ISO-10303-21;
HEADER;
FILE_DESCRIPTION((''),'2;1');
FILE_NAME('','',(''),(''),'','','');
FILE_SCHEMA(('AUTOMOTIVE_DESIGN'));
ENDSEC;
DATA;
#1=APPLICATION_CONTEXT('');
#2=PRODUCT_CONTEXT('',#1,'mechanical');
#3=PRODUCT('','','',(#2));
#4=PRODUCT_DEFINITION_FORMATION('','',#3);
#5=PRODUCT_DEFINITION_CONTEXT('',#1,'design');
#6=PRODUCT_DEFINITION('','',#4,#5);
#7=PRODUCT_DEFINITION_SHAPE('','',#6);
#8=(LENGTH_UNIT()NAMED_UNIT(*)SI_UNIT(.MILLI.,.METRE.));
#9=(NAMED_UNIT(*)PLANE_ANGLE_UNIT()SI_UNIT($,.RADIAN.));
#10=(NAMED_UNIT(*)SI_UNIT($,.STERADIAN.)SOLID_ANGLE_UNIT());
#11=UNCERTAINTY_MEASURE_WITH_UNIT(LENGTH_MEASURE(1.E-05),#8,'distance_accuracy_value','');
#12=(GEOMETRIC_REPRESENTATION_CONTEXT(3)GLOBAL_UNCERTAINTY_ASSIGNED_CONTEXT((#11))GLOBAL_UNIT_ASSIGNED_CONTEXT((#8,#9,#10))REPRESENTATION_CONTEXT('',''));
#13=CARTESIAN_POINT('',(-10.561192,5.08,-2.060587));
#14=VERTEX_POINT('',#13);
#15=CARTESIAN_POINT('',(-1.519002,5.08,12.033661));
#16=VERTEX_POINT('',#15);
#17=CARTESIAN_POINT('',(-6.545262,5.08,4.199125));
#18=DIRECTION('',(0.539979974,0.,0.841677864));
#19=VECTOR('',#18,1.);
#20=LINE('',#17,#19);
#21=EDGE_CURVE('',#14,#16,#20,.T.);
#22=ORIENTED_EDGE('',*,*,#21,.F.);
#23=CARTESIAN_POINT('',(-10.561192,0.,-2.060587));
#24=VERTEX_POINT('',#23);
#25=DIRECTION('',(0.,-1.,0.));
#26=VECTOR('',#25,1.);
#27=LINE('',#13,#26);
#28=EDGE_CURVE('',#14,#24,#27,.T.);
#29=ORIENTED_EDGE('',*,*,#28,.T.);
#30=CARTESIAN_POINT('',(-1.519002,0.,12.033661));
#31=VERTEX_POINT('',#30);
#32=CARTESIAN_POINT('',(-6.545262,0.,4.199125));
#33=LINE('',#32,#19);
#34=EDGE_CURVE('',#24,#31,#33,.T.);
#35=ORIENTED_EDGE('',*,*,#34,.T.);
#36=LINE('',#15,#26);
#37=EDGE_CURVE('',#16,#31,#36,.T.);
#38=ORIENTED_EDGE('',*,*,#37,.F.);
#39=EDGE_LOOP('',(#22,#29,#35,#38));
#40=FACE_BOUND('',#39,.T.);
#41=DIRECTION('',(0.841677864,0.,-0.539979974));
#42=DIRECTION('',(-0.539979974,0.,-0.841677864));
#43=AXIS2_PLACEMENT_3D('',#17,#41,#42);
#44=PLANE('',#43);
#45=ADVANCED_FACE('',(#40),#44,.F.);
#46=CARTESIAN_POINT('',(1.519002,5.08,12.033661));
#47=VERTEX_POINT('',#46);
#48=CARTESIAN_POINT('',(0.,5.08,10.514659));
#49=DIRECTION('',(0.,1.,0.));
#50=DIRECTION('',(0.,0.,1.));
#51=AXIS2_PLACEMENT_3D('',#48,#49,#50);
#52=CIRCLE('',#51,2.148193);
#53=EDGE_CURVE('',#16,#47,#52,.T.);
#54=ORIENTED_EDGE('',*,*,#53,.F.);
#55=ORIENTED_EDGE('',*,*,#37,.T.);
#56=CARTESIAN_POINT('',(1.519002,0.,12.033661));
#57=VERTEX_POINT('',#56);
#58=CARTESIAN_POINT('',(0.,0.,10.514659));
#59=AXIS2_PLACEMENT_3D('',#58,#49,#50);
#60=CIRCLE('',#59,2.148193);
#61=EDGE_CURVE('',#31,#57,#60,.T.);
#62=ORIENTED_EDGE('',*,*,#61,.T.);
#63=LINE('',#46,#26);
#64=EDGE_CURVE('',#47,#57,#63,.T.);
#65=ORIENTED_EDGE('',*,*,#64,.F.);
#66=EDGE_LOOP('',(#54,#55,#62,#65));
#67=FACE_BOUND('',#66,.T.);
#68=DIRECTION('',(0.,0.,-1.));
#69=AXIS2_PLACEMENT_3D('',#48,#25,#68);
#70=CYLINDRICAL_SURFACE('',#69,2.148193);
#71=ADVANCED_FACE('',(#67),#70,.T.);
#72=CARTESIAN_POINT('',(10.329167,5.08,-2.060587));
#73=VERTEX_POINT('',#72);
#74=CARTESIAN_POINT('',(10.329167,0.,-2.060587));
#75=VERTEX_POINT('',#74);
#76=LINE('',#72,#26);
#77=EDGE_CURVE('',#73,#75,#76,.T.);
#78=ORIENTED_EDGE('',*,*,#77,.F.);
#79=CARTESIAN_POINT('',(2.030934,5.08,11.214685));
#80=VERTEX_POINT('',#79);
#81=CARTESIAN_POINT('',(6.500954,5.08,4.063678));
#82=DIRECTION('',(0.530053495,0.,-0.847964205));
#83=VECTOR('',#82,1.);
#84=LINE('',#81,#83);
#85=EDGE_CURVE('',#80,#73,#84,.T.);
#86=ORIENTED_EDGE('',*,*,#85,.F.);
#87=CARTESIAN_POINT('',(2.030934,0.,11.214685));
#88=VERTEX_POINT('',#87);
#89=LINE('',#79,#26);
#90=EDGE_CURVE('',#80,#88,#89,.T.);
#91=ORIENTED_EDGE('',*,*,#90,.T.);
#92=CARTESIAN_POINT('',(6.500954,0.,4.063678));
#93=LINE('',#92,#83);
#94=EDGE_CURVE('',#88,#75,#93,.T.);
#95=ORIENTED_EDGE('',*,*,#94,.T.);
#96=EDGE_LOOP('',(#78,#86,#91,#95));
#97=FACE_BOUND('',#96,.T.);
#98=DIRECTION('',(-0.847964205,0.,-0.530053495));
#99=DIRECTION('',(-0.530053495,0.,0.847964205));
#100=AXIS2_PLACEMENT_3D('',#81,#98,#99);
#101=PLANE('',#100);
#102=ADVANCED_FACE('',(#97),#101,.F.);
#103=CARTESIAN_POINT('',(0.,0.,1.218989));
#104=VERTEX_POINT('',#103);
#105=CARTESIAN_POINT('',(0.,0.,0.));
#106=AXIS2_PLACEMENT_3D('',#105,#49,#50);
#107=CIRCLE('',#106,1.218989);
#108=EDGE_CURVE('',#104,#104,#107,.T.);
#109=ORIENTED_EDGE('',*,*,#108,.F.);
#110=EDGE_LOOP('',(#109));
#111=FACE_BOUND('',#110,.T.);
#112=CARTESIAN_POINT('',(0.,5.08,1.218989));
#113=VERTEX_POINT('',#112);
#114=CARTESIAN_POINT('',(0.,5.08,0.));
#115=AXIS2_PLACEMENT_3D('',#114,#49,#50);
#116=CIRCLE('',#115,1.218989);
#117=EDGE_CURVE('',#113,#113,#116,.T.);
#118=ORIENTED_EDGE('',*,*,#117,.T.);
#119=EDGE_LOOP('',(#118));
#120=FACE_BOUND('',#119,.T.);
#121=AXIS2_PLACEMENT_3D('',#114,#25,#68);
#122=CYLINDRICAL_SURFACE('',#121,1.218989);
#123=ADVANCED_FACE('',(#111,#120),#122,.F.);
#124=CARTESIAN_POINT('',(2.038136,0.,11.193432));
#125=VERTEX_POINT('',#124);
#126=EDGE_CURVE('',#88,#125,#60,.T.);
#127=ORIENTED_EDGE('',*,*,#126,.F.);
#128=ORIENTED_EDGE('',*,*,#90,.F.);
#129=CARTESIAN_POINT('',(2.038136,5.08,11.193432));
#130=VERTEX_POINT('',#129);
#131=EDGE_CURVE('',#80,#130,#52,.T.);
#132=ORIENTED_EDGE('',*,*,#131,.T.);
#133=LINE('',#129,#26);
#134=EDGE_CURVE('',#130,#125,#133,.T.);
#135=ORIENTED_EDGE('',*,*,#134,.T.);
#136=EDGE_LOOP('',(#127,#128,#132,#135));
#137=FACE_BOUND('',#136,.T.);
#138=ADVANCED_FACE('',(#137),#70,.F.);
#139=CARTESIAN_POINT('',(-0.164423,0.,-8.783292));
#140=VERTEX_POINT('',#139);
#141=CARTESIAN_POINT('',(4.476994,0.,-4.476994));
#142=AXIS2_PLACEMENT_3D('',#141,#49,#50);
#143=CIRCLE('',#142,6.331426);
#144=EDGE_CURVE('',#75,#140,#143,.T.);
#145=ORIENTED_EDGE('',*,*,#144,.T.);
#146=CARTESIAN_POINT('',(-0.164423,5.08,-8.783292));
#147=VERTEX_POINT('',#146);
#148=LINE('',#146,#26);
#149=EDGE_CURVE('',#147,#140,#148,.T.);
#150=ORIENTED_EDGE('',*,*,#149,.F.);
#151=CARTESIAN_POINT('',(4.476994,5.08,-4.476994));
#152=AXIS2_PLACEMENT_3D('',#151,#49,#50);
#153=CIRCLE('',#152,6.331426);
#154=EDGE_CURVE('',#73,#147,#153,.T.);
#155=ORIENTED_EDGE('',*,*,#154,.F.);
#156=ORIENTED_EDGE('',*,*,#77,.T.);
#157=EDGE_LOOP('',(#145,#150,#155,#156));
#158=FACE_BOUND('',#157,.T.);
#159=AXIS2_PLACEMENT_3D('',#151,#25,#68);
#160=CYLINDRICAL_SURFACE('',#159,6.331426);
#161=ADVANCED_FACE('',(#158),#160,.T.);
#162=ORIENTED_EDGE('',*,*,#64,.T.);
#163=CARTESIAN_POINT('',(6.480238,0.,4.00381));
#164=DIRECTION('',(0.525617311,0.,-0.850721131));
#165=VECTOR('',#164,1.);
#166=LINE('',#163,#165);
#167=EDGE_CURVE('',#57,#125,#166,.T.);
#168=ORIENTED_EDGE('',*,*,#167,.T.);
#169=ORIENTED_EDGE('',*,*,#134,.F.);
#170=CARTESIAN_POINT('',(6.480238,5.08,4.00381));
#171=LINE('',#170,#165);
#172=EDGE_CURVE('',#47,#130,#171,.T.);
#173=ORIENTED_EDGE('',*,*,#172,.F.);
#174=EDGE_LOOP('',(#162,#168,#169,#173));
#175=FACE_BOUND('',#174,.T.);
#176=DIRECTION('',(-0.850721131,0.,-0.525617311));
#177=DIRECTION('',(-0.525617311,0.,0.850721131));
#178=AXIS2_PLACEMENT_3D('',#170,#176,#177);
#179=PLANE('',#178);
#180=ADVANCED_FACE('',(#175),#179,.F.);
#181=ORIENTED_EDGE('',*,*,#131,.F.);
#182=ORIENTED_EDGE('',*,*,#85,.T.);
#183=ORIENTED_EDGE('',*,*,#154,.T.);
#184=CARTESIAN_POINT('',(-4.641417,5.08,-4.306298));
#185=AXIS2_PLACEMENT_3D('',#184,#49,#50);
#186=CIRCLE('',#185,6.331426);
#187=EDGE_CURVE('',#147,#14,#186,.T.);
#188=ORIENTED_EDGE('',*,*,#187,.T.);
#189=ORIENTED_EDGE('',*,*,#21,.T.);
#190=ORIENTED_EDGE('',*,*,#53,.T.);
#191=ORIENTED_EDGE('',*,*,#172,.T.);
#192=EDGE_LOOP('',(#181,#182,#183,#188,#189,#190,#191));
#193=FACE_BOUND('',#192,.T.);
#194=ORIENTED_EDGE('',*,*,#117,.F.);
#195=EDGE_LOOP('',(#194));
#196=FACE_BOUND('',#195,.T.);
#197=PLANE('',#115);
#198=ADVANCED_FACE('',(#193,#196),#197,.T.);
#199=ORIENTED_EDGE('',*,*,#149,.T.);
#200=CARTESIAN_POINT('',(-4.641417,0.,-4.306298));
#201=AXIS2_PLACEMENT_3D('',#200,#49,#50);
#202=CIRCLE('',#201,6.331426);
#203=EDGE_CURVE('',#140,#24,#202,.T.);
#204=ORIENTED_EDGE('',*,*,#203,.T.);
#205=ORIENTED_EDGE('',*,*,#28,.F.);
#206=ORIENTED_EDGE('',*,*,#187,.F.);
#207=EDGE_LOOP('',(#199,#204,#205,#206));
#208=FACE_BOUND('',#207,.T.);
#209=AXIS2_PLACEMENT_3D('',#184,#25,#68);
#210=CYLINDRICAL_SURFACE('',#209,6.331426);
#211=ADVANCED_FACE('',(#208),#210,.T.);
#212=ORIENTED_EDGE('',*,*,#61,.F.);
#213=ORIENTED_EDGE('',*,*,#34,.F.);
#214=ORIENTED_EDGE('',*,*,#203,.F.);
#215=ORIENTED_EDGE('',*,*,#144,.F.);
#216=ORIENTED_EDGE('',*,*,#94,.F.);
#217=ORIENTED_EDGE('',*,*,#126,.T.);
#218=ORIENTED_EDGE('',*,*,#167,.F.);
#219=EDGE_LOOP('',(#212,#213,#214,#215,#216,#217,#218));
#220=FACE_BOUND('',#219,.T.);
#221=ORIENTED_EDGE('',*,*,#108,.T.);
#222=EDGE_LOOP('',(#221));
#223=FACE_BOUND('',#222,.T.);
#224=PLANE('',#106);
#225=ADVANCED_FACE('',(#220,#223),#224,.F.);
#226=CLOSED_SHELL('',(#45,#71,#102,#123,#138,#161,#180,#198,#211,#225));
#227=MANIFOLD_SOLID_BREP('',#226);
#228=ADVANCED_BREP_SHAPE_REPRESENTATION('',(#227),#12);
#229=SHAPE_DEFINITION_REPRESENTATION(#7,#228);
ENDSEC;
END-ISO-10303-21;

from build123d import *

# Parameters (mm, degrees)
SKETCH1_R           = 1.218989221
BOSS_EXTRUDE6_DEPTH = 5.08


with BuildPart() as part:
    # Sketch1 → Boss-Extrude6 (new body)
    with BuildSketch(Plane(origin=(0, 0, 0), x_dir=(1, 0, 0), z_dir=(0, 1, 0))):
        with BuildLine():
            ThreePointArc((-1.519001557, -12.033660962), (0, -12.662852008), (1.519001557, -12.033660962))
            Line((1.519001557, -12.033660962), (2.038136122, -11.193432272))
            ThreePointArc((2.038136122, -11.193432272), (2.034563062, -11.204068286), (2.030934498, -11.214685493))
            Line((2.030934498, -11.214685493), (10.329167319, 2.060586649))
            ThreePointArc((10.329167319, 2.060586649), (7.892426257, 9.808202336), (-0.164422722, 8.783292397))
            ThreePointArc((-0.164422722, 8.783292397), (-8.079308366, 9.623050723), (-10.561191909, 2.060586649))
            Line((-10.561191909, 2.060586649), (-9.239218773, 0))
            Line((-9.239218773, 0), (-9.150338425, -0.138539621))
            Line((-9.150338425, -0.138539621), (-2.013925132, -11.262213432))
            Line((-2.013925132, -11.262213432), (-1.519001557, -12.033660962))
        make_face()
        Circle(SKETCH1_R, mode=Mode.SUBTRACT)
    extrude(amount=BOSS_EXTRUDE6_DEPTH)


solid = part.part
